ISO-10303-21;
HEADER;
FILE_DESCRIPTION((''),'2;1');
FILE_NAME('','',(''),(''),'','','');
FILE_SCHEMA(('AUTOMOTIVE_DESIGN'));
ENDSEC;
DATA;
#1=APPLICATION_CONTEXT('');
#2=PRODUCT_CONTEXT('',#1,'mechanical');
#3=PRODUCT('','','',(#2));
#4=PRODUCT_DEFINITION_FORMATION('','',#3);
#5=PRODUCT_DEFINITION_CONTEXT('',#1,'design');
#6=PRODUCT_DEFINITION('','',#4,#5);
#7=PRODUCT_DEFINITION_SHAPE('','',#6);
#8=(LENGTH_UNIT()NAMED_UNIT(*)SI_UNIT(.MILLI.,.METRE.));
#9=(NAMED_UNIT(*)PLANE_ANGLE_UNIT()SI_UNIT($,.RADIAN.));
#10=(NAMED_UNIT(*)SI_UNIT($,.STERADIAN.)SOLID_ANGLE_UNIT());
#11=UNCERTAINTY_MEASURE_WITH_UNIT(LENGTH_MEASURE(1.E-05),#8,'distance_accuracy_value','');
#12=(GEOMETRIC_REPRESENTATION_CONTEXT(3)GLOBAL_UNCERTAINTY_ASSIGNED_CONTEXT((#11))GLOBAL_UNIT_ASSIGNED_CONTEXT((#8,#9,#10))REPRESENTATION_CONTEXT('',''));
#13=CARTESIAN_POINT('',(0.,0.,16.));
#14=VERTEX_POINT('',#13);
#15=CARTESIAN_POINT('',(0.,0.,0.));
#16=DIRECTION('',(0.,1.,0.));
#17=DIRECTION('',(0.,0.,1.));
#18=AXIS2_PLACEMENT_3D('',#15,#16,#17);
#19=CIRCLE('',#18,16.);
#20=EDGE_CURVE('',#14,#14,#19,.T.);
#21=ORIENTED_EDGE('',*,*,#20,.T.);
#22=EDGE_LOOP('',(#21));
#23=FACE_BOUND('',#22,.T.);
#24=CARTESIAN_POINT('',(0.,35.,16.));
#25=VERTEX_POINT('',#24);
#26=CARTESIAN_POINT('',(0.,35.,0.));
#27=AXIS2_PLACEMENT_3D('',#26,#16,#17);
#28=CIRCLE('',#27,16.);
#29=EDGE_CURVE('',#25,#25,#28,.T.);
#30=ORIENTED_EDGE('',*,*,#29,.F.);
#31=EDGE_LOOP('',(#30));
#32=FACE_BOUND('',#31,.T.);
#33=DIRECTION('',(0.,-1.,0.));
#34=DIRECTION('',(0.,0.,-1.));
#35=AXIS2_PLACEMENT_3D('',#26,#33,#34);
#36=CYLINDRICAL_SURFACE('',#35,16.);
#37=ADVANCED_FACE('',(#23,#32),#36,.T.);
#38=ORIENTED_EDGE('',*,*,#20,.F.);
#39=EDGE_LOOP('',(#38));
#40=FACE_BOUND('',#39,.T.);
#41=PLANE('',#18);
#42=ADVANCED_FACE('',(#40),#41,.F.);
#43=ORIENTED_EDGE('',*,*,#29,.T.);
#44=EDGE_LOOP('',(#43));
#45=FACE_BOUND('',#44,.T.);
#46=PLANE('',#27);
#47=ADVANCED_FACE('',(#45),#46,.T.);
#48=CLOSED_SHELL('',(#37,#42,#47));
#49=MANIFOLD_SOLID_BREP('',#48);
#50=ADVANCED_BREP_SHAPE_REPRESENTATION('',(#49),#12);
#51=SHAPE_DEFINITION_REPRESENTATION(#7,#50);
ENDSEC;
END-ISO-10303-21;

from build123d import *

# Parameters (mm, degrees)
SKETCH_1_R      = 16
EXTRUDE_1_DEPTH = 35


with BuildPart() as part:
    # Эскиз1 → Бобышка-Вытянуть1 (new body)
    with BuildSketch(Plane(origin=(0, 0, 0), x_dir=(1, 0, 0), z_dir=(0, 1, 0))):
        Circle(SKETCH_1_R)
    extrude(amount=EXTRUDE_1_DEPTH)


solid = part.part
